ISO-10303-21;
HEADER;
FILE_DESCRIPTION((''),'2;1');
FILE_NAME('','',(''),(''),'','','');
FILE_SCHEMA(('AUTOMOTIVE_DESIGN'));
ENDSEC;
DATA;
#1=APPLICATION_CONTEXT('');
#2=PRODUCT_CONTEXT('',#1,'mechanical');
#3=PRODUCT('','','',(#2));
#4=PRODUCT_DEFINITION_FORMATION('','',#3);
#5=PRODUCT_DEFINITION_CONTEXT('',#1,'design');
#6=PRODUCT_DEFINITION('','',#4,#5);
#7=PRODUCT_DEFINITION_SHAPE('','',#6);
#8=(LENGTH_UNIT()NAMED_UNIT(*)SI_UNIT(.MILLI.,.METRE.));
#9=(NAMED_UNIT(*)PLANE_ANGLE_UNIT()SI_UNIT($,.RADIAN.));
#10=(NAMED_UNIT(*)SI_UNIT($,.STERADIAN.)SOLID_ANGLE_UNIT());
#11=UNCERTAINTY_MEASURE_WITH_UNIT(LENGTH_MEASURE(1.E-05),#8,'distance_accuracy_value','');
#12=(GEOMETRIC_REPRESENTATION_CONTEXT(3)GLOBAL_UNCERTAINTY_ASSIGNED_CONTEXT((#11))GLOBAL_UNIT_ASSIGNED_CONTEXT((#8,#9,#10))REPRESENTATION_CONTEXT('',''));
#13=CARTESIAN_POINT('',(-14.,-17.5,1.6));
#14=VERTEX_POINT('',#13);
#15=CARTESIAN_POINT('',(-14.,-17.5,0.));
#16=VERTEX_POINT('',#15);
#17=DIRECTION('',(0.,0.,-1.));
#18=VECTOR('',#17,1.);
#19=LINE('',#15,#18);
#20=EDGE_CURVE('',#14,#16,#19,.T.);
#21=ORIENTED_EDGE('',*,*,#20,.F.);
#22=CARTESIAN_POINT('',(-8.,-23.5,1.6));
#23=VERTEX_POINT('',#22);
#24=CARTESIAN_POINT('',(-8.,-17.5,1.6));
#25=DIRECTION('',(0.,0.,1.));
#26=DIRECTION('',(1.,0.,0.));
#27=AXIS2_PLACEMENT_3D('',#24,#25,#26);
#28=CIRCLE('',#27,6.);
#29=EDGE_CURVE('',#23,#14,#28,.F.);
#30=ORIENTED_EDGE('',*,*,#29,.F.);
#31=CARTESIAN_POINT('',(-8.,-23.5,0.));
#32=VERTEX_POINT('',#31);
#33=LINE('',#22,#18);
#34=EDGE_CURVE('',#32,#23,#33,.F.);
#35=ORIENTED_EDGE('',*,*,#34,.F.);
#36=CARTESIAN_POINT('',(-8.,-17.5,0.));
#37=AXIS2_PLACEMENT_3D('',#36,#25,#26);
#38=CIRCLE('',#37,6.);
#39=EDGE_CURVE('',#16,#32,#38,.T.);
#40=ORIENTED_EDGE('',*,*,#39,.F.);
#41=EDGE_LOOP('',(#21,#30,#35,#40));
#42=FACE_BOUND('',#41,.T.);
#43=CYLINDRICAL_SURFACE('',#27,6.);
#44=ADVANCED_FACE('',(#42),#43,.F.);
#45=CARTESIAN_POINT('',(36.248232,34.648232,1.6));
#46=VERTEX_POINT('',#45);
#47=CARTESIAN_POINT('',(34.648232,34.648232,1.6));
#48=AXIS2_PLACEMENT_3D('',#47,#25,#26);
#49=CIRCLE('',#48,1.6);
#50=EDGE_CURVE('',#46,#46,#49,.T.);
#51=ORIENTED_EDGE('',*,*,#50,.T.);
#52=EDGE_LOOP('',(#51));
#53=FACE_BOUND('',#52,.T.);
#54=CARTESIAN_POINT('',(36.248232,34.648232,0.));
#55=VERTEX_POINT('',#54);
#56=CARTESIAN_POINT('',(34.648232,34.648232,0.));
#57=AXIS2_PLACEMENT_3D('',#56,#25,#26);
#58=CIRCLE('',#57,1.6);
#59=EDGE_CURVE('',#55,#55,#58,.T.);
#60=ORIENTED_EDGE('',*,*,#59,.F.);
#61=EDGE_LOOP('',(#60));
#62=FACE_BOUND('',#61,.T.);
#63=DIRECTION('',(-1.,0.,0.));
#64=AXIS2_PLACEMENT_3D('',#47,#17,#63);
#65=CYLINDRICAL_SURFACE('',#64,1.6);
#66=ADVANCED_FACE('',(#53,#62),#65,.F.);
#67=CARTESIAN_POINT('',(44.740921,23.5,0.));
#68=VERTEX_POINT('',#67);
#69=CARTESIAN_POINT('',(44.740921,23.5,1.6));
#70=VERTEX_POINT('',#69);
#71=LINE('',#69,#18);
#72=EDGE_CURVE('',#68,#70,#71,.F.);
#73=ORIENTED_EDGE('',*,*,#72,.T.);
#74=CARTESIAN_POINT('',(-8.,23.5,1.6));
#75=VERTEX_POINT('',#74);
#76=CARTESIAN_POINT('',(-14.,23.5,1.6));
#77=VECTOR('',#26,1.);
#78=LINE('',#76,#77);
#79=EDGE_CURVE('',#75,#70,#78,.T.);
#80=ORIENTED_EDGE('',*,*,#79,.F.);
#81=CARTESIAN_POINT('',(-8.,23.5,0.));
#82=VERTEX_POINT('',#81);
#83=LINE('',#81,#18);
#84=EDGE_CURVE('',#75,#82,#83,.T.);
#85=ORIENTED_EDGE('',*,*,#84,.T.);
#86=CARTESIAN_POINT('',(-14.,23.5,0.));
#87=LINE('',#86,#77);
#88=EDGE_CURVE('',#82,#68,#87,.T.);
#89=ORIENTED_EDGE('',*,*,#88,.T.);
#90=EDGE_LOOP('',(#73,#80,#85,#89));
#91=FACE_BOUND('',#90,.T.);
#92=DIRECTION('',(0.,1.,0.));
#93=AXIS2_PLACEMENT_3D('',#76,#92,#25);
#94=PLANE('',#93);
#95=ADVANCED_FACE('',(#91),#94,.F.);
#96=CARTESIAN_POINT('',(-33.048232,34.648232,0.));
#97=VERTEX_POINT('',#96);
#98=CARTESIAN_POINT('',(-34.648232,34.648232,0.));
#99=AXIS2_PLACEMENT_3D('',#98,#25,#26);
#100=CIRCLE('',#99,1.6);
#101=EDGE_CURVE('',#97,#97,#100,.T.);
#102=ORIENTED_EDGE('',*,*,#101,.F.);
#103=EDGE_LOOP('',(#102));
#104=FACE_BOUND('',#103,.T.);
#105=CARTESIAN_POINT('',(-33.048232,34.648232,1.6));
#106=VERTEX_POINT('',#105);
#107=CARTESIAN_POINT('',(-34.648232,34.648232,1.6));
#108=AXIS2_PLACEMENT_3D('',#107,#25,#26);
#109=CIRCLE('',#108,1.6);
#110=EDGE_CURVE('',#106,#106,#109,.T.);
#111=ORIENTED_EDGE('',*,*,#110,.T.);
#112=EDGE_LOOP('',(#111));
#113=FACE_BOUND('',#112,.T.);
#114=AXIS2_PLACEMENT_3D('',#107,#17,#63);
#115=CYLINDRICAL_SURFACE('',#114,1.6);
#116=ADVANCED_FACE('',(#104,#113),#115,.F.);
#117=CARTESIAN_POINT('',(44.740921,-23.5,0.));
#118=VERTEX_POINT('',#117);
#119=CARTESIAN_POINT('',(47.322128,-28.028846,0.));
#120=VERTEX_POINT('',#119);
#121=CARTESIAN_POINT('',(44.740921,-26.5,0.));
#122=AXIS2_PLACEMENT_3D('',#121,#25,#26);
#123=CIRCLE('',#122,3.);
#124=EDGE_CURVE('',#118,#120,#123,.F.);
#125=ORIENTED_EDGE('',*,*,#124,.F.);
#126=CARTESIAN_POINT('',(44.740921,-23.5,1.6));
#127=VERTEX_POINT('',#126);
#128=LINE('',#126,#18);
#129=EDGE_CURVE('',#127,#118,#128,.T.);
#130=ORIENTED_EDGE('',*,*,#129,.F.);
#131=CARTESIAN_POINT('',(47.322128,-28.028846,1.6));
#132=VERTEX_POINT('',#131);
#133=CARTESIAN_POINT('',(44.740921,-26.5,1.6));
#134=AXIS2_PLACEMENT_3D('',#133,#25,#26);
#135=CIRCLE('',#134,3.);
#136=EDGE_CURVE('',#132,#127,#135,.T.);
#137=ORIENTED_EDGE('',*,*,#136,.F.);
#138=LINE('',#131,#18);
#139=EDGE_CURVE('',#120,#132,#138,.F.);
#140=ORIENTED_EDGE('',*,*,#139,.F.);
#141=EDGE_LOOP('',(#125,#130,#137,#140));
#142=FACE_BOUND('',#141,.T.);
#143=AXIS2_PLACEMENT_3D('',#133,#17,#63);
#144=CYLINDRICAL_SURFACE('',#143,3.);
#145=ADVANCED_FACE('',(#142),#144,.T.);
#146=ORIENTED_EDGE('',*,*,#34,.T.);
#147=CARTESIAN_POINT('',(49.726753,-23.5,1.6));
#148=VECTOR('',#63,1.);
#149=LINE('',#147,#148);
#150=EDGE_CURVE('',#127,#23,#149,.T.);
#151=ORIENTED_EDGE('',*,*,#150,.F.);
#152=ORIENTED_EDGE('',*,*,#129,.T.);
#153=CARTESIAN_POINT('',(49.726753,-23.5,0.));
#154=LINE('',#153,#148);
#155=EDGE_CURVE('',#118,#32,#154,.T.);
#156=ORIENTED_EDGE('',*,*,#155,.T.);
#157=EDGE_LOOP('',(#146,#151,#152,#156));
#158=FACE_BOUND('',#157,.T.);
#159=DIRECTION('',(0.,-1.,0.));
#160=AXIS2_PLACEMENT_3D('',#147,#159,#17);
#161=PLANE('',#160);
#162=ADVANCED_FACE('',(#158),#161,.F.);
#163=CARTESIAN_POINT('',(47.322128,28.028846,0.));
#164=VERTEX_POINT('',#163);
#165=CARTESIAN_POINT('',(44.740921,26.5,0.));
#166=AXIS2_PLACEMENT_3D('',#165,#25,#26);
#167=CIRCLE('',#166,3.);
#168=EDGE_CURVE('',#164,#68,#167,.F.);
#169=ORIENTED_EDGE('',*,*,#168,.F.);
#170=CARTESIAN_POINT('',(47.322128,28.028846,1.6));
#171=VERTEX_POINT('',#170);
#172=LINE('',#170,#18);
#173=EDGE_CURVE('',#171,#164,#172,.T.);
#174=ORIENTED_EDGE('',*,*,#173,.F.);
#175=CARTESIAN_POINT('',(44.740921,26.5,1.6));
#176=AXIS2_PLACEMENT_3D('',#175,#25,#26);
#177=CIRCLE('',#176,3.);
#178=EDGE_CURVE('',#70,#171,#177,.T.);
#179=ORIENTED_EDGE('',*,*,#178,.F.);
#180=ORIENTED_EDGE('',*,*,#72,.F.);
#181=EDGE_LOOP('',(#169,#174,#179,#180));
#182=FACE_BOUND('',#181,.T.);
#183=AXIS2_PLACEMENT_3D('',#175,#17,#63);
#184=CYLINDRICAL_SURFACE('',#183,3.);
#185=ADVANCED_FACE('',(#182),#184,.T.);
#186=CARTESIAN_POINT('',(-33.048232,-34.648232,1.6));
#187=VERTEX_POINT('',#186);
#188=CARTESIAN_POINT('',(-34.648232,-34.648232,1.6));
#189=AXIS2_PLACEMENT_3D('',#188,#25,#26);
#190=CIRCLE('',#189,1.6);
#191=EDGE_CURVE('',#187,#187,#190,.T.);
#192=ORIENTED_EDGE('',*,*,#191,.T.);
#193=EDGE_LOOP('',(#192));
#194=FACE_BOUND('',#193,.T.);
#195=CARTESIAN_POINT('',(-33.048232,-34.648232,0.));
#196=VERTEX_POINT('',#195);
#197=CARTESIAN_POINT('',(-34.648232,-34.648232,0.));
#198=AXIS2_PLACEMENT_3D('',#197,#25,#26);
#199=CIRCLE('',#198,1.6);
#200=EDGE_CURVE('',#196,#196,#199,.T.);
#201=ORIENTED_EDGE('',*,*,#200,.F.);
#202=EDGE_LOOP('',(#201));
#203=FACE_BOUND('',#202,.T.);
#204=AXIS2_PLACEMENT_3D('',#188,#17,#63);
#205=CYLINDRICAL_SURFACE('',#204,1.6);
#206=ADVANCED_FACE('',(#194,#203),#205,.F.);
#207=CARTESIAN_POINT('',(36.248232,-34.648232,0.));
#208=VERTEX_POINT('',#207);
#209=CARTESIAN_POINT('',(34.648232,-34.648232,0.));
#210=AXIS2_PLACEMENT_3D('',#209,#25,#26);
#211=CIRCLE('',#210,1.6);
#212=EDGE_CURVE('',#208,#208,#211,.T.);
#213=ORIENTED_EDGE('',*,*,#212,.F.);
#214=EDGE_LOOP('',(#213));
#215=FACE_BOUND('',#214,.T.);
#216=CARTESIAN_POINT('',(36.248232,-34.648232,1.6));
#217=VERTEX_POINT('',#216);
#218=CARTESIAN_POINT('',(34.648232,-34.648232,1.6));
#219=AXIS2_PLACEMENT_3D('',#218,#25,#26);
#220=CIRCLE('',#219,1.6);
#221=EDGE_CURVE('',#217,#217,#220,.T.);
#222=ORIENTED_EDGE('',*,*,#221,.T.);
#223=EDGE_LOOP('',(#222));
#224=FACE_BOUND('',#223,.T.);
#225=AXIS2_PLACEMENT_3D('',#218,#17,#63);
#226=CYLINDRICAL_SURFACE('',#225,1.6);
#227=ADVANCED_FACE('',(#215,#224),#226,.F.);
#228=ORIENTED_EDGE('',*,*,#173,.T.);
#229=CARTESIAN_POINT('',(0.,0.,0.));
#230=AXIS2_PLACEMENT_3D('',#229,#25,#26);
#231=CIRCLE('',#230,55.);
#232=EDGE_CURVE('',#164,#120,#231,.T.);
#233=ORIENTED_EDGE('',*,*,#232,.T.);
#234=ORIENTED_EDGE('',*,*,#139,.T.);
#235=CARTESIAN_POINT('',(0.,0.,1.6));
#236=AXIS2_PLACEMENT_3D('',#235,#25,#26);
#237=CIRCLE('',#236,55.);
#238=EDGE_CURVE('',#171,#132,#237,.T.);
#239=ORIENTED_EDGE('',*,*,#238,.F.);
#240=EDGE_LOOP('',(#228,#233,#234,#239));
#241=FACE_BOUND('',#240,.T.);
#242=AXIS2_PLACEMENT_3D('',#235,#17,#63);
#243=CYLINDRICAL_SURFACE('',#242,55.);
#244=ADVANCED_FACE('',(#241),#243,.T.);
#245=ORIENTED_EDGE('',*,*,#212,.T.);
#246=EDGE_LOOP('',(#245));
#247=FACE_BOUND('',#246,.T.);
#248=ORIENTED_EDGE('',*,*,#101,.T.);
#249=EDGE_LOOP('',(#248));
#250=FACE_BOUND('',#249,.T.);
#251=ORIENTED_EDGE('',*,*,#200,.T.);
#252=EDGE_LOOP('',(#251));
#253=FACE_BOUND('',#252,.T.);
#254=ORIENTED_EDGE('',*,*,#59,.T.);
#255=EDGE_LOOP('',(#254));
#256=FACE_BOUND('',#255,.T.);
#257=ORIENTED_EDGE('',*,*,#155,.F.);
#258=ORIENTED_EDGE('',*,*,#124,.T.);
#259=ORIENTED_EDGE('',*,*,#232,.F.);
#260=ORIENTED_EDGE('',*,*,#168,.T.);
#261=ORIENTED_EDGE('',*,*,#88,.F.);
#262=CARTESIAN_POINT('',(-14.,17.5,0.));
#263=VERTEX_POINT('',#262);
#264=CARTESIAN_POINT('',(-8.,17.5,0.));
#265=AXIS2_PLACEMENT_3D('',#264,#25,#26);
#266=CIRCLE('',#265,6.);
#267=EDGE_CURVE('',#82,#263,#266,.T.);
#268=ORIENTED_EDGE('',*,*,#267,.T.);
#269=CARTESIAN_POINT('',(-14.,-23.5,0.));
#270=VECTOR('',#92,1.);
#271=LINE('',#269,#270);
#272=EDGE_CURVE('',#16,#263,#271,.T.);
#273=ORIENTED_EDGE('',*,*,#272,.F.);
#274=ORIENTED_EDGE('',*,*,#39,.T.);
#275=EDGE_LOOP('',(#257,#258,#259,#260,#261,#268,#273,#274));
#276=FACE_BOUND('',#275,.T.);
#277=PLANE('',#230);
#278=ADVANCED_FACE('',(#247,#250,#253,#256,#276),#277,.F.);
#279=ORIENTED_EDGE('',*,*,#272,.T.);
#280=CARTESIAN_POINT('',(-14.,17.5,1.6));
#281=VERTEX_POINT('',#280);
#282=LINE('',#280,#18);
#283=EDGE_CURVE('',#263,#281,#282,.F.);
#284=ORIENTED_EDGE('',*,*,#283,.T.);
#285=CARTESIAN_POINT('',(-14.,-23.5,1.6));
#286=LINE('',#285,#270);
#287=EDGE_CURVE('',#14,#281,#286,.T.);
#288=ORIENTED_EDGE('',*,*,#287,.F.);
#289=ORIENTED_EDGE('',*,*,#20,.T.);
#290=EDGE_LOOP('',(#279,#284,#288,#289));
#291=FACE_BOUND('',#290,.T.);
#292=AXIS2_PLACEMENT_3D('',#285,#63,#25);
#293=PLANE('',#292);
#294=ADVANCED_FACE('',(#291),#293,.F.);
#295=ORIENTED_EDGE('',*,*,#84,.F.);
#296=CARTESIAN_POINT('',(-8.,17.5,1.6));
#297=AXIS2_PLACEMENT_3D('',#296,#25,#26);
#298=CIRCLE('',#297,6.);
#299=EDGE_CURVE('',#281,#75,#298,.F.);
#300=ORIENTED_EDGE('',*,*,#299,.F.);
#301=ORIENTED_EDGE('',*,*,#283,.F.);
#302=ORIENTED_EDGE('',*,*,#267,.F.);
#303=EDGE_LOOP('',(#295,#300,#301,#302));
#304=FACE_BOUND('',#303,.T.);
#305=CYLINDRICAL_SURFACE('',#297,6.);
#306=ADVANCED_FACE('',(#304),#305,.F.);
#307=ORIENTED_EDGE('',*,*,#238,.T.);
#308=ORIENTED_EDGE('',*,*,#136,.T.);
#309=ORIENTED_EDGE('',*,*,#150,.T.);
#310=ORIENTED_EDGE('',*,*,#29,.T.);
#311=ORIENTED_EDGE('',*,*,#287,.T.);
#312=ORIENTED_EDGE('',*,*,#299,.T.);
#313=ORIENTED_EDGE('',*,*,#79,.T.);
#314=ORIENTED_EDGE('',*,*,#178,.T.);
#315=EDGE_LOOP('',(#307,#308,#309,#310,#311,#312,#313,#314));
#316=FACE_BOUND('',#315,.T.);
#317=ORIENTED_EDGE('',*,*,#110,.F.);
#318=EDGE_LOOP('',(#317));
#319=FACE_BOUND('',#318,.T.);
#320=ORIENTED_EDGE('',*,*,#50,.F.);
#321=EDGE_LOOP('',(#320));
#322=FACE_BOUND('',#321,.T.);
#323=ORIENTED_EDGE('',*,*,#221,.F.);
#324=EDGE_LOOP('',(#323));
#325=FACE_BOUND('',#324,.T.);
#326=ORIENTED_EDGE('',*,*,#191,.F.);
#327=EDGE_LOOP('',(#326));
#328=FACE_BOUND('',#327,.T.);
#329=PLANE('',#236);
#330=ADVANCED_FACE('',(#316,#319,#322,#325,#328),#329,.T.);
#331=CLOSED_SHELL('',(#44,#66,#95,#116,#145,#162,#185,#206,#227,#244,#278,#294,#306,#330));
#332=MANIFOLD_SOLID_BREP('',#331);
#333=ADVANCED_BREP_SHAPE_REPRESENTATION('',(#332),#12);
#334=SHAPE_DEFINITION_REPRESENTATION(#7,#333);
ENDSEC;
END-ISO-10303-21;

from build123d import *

# Parameters (mm, degrees)
SKETCH_1_R      = 1.6
EXTRUDE_1_DEPTH = 1.6
FILLET_1_R      = 6
FILLET_2_R      = 3


with BuildPart() as part:
    # 草圖1 → 填料-伸長1 (new body)
    with BuildSketch(Plane.XY):
        with BuildLine():
            Line((49.726753363, -23.5), (-14, -23.5))
            Line((-14, -23.5), (-14, 23.5))
            Line((-14, 23.5), (49.726753363, 23.5))
            ThreePointArc((49.726753363, 23.5), (-55, 0), (49.726753363, -23.5))
        make_face()
        with Locations((34.648232278, 34.648232278)):
            Circle(SKETCH_1_R, mode=Mode.SUBTRACT)
        with Locations((-34.648232278, 34.648232278)):
            Circle(SKETCH_1_R, mode=Mode.SUBTRACT)
        with Locations((-34.648232278, -34.648232278)):
            Circle(SKETCH_1_R, mode=Mode.SUBTRACT)
        with Locations((34.648232278, -34.648232278)):
            Circle(SKETCH_1_R, mode=Mode.SUBTRACT)
    extrude(amount=EXTRUDE_1_DEPTH)

    # 圓角1
    fillet_1_edges = [part.edges().sort_by_distance(p)[0] for p in [
        (-14, 23.5, 0.8),
        (-14, -23.5, 0.8),
    ]]
    fillet(fillet_1_edges, radius=FILLET_1_R)

    # 圓角2
    fillet_2_edges = [part.edges().sort_by_distance(p)[0] for p in [
        (49.726753363, 23.5, 0.8),
        (49.726753363, -23.5, 0.8),
    ]]
    fillet(fillet_2_edges, radius=FILLET_2_R)


solid = part.part
